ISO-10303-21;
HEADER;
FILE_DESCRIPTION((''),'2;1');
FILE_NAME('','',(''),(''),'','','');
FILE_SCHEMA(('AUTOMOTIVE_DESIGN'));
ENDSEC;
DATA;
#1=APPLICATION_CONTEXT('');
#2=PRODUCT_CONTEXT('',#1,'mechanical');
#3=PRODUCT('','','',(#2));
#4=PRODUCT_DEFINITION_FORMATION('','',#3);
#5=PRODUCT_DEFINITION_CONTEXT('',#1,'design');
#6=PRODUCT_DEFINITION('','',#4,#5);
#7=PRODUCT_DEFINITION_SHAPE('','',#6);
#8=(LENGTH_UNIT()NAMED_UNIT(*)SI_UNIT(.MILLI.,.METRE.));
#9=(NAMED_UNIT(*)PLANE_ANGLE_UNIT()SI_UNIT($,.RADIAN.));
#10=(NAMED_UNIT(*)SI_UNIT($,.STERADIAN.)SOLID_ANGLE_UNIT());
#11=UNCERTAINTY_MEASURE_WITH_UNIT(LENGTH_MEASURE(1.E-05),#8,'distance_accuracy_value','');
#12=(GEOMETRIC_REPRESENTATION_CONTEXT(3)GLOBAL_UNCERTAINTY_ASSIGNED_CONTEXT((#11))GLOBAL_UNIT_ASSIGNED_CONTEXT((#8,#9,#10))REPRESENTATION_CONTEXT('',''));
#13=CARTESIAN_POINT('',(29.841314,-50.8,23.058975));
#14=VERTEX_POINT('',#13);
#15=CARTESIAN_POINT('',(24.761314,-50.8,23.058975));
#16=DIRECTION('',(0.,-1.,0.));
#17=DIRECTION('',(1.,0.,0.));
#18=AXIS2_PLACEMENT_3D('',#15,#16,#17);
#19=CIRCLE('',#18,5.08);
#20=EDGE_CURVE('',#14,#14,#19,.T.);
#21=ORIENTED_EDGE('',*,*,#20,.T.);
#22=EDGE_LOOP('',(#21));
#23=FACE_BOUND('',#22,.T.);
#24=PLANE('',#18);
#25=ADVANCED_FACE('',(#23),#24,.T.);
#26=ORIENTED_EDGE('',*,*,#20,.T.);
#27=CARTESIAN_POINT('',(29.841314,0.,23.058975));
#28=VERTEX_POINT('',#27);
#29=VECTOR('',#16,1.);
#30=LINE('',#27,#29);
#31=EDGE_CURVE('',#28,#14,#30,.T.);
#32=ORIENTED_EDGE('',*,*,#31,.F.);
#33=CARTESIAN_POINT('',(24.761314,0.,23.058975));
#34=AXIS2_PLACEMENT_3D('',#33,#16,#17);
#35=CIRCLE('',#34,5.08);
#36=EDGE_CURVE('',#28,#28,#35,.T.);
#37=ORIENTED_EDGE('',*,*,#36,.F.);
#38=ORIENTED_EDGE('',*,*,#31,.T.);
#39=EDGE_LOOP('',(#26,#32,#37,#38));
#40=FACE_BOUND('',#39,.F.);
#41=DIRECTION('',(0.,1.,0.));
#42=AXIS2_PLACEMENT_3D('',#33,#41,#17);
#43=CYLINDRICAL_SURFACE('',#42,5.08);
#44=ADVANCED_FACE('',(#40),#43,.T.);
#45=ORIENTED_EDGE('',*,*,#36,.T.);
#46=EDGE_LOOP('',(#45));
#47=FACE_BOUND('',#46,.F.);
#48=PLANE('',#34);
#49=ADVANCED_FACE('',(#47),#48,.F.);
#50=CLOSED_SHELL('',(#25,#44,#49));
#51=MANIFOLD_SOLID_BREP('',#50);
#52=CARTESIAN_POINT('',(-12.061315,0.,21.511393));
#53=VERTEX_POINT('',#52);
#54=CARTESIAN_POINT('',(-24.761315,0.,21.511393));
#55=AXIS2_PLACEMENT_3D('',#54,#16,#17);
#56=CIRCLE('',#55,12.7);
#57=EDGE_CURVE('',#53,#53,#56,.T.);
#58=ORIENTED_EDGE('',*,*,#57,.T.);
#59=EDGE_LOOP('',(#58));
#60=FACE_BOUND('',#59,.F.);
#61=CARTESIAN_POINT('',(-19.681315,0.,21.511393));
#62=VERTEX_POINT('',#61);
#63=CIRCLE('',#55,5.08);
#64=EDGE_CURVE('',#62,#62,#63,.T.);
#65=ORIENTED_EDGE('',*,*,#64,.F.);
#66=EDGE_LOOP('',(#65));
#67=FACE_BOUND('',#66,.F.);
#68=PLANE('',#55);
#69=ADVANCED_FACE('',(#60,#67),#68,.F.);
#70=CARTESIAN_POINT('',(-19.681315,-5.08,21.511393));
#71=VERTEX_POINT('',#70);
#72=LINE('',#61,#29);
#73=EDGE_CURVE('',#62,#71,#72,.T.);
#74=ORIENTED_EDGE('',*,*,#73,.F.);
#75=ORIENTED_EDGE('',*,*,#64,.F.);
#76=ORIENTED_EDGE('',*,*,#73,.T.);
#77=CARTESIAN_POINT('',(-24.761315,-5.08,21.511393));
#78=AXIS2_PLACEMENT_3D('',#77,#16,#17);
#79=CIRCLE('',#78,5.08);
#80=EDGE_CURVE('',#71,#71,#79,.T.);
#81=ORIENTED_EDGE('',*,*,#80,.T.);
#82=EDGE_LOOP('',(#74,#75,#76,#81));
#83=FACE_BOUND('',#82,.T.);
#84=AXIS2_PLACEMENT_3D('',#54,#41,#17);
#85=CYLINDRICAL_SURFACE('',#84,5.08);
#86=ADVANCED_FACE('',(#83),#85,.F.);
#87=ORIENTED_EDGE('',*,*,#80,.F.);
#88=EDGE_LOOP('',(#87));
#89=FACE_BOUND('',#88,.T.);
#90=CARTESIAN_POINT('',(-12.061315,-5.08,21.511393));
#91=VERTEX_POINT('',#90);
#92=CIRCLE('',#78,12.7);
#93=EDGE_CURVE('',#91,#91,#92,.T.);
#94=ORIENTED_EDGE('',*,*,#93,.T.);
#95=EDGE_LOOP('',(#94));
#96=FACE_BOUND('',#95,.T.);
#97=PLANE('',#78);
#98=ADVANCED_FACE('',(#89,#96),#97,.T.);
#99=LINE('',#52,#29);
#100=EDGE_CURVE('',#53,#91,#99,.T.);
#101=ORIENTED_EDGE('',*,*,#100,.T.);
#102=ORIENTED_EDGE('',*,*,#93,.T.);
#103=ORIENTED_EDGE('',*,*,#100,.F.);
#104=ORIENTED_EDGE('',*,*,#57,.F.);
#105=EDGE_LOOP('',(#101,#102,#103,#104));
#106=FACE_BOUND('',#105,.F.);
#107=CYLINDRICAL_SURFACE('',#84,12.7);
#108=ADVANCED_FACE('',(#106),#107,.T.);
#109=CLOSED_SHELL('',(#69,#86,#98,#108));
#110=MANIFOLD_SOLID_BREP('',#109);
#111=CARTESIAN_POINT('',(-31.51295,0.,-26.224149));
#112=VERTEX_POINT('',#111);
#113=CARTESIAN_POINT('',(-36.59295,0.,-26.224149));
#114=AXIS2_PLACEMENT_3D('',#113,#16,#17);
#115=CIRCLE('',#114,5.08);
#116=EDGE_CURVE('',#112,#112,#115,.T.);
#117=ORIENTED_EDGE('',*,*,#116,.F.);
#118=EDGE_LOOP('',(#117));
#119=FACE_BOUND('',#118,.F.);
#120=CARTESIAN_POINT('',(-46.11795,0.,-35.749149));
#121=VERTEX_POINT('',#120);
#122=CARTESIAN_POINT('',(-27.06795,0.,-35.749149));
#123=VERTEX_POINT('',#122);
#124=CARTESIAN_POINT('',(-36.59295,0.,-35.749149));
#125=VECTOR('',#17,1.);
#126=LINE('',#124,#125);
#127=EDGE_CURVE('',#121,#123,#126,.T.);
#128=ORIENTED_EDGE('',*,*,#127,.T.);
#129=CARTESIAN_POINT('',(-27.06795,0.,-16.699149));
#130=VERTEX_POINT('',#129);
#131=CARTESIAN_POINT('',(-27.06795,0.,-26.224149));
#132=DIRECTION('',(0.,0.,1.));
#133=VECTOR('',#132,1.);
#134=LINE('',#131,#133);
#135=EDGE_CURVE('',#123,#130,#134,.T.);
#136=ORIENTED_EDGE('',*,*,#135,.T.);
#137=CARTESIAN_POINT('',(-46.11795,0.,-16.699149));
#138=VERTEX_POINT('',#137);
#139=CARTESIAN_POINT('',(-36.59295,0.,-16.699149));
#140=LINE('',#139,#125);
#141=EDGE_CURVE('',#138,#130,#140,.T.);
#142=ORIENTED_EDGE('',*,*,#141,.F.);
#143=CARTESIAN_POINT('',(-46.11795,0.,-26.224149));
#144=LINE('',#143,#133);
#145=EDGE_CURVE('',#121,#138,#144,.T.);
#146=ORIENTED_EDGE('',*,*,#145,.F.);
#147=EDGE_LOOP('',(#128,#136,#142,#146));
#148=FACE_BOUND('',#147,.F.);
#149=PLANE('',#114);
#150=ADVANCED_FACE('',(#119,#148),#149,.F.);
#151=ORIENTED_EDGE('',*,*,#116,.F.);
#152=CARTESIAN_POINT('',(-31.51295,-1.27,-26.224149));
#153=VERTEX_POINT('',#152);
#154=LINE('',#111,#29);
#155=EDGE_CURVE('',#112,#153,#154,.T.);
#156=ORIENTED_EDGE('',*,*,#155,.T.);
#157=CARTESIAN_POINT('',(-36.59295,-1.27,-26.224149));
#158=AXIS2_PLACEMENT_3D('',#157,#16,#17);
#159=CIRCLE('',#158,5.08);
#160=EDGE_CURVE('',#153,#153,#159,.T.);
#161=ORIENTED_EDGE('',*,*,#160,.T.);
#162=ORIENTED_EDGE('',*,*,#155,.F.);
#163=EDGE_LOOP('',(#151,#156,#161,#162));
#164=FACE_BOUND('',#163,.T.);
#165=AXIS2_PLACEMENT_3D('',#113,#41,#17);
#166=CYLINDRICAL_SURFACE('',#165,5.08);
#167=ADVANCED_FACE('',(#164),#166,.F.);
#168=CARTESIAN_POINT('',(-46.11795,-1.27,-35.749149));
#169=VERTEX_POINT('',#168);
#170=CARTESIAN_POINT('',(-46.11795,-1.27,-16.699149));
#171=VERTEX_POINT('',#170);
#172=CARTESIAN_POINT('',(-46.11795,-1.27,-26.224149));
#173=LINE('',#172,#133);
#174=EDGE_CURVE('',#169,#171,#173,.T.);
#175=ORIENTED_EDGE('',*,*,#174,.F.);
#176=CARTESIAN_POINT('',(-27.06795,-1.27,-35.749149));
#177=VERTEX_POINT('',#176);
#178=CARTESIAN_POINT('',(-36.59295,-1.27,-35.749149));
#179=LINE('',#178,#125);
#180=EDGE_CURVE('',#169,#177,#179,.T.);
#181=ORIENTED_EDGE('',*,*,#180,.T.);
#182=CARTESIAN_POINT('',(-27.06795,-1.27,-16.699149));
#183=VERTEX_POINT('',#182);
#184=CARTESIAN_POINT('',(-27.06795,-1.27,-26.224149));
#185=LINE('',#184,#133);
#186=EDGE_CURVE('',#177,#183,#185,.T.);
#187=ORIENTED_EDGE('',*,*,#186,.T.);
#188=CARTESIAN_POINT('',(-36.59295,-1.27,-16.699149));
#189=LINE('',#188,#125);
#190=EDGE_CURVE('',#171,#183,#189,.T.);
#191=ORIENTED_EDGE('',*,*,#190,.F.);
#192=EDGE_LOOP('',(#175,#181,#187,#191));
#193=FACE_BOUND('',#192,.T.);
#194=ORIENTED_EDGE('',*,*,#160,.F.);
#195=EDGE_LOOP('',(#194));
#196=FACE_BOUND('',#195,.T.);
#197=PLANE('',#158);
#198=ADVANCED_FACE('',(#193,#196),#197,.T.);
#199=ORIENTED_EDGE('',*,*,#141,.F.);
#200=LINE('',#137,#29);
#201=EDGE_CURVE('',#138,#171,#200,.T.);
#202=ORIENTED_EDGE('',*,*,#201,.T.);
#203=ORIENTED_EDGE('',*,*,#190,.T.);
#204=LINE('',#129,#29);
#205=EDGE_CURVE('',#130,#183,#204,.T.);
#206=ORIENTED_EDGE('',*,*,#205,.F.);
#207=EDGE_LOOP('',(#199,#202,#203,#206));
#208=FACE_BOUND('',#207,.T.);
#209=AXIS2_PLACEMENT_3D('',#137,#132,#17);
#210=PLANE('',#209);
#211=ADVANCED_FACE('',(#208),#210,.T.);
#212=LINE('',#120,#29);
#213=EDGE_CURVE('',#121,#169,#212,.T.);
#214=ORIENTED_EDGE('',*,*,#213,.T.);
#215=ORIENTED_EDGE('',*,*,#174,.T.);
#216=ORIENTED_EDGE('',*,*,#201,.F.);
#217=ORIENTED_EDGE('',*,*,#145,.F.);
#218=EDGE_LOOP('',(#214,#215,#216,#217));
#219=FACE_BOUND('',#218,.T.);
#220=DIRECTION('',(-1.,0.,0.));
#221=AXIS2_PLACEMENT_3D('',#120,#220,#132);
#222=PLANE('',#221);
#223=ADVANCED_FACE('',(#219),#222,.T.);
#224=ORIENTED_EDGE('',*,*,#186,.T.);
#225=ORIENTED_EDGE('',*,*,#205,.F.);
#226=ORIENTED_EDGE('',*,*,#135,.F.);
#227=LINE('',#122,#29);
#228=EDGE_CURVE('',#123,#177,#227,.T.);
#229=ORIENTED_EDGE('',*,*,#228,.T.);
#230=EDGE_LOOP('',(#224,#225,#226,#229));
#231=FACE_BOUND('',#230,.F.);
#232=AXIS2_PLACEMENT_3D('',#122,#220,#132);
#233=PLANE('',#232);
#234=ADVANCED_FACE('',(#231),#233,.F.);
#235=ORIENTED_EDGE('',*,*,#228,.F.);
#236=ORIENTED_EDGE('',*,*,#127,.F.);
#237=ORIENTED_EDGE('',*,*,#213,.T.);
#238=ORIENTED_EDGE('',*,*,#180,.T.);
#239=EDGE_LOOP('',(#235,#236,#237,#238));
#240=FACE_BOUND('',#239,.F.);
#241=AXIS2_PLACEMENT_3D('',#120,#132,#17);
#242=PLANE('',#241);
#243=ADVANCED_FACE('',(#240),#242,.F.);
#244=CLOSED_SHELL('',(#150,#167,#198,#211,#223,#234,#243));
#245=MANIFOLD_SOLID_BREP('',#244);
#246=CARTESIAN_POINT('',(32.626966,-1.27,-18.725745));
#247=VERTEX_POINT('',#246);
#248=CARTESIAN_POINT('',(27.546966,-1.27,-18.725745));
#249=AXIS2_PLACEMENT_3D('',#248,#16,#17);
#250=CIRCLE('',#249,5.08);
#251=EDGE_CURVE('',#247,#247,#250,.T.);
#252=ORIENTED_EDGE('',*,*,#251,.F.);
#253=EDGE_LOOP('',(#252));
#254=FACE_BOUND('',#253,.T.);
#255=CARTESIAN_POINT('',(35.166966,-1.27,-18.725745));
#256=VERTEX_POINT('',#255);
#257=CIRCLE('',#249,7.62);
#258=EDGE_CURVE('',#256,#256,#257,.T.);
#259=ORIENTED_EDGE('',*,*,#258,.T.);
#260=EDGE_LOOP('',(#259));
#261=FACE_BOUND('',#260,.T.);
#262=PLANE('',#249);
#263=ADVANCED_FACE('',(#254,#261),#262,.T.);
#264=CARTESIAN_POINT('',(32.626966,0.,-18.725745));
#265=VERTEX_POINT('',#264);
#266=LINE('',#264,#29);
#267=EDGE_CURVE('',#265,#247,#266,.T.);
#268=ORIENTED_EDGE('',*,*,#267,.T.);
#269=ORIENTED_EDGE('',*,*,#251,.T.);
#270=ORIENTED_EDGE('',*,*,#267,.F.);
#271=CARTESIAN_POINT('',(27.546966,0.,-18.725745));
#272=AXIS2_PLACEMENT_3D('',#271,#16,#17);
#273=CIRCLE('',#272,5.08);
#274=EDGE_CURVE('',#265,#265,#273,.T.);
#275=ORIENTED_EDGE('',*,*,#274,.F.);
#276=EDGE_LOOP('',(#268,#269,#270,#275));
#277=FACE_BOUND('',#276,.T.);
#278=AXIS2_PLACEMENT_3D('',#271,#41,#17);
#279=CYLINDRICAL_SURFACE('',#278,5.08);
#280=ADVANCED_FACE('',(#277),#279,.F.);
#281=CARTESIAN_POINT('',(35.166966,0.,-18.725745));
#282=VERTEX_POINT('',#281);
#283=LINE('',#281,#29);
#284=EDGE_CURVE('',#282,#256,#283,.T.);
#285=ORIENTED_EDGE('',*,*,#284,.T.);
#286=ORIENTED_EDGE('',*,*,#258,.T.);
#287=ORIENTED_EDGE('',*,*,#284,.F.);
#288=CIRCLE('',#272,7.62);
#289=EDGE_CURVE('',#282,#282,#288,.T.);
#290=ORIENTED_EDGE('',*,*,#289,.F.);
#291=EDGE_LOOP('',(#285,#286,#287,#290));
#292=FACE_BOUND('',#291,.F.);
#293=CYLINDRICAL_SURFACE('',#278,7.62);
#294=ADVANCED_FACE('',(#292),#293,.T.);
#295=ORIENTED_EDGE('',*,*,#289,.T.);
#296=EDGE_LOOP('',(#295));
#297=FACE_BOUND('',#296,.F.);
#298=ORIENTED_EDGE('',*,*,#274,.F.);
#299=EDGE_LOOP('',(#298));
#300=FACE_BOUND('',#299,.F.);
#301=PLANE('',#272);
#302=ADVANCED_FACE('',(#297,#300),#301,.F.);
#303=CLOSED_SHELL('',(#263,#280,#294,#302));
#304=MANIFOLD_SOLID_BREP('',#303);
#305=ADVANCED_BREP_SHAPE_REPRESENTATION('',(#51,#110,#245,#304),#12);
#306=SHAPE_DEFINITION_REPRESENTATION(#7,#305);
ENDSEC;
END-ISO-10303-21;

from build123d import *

# Parameters (mm, degrees)
F0_R     = 12.7
F0_R_2   = 5.08
F1_DEPTH = 5.08
F2_R     = 5.08
F3_DEPTH = 50.8
F4_W     = 19.05
F4_H     = 19.05
F4_R     = 5.08
F5_DEPTH = 1.27
F6_R     = 7.62
F6_R_2   = 5.08
F7_DEPTH = 1.27


with BuildPart() as f1:
    # F0 (on Front) → F1 (new body)
    with BuildSketch(Plane.XZ):
        with Locations((-24.761315, 21.511393)):
            Circle(F0_R)
        with Locations((-24.761315, 21.511393)):
            Circle(F0_R_2, mode=Mode.SUBTRACT)
    extrude(amount=F1_DEPTH)


with BuildPart() as f3:
    # F2 (on Front) → F3 (new body)
    with BuildSketch(Plane.XZ):
        with Locations((24.761314, 23.058975)):
            Circle(F2_R)
    extrude(amount=F3_DEPTH)


with BuildPart() as f5:
    # F4 (on Front) → F5 (new body)
    with BuildSketch(Plane.XZ):
        with Locations((-36.59295, -26.224149)):
            Rectangle(F4_W, F4_H)
        with Locations((-36.59295, -26.224149)):
            Circle(F4_R, mode=Mode.SUBTRACT)
    extrude(amount=F5_DEPTH)


with BuildPart() as f7:
    # F6 (on Front) → F7 (new body)
    with BuildSketch(Plane.XZ):
        with Locations((27.546966, -18.725745)):
            Circle(F6_R)
        with Locations((27.546966, -18.725745)):
            Circle(F6_R_2, mode=Mode.SUBTRACT)
    extrude(amount=F7_DEPTH)


solid = Compound([f1.part, f3.part, f5.part, f7.part])
